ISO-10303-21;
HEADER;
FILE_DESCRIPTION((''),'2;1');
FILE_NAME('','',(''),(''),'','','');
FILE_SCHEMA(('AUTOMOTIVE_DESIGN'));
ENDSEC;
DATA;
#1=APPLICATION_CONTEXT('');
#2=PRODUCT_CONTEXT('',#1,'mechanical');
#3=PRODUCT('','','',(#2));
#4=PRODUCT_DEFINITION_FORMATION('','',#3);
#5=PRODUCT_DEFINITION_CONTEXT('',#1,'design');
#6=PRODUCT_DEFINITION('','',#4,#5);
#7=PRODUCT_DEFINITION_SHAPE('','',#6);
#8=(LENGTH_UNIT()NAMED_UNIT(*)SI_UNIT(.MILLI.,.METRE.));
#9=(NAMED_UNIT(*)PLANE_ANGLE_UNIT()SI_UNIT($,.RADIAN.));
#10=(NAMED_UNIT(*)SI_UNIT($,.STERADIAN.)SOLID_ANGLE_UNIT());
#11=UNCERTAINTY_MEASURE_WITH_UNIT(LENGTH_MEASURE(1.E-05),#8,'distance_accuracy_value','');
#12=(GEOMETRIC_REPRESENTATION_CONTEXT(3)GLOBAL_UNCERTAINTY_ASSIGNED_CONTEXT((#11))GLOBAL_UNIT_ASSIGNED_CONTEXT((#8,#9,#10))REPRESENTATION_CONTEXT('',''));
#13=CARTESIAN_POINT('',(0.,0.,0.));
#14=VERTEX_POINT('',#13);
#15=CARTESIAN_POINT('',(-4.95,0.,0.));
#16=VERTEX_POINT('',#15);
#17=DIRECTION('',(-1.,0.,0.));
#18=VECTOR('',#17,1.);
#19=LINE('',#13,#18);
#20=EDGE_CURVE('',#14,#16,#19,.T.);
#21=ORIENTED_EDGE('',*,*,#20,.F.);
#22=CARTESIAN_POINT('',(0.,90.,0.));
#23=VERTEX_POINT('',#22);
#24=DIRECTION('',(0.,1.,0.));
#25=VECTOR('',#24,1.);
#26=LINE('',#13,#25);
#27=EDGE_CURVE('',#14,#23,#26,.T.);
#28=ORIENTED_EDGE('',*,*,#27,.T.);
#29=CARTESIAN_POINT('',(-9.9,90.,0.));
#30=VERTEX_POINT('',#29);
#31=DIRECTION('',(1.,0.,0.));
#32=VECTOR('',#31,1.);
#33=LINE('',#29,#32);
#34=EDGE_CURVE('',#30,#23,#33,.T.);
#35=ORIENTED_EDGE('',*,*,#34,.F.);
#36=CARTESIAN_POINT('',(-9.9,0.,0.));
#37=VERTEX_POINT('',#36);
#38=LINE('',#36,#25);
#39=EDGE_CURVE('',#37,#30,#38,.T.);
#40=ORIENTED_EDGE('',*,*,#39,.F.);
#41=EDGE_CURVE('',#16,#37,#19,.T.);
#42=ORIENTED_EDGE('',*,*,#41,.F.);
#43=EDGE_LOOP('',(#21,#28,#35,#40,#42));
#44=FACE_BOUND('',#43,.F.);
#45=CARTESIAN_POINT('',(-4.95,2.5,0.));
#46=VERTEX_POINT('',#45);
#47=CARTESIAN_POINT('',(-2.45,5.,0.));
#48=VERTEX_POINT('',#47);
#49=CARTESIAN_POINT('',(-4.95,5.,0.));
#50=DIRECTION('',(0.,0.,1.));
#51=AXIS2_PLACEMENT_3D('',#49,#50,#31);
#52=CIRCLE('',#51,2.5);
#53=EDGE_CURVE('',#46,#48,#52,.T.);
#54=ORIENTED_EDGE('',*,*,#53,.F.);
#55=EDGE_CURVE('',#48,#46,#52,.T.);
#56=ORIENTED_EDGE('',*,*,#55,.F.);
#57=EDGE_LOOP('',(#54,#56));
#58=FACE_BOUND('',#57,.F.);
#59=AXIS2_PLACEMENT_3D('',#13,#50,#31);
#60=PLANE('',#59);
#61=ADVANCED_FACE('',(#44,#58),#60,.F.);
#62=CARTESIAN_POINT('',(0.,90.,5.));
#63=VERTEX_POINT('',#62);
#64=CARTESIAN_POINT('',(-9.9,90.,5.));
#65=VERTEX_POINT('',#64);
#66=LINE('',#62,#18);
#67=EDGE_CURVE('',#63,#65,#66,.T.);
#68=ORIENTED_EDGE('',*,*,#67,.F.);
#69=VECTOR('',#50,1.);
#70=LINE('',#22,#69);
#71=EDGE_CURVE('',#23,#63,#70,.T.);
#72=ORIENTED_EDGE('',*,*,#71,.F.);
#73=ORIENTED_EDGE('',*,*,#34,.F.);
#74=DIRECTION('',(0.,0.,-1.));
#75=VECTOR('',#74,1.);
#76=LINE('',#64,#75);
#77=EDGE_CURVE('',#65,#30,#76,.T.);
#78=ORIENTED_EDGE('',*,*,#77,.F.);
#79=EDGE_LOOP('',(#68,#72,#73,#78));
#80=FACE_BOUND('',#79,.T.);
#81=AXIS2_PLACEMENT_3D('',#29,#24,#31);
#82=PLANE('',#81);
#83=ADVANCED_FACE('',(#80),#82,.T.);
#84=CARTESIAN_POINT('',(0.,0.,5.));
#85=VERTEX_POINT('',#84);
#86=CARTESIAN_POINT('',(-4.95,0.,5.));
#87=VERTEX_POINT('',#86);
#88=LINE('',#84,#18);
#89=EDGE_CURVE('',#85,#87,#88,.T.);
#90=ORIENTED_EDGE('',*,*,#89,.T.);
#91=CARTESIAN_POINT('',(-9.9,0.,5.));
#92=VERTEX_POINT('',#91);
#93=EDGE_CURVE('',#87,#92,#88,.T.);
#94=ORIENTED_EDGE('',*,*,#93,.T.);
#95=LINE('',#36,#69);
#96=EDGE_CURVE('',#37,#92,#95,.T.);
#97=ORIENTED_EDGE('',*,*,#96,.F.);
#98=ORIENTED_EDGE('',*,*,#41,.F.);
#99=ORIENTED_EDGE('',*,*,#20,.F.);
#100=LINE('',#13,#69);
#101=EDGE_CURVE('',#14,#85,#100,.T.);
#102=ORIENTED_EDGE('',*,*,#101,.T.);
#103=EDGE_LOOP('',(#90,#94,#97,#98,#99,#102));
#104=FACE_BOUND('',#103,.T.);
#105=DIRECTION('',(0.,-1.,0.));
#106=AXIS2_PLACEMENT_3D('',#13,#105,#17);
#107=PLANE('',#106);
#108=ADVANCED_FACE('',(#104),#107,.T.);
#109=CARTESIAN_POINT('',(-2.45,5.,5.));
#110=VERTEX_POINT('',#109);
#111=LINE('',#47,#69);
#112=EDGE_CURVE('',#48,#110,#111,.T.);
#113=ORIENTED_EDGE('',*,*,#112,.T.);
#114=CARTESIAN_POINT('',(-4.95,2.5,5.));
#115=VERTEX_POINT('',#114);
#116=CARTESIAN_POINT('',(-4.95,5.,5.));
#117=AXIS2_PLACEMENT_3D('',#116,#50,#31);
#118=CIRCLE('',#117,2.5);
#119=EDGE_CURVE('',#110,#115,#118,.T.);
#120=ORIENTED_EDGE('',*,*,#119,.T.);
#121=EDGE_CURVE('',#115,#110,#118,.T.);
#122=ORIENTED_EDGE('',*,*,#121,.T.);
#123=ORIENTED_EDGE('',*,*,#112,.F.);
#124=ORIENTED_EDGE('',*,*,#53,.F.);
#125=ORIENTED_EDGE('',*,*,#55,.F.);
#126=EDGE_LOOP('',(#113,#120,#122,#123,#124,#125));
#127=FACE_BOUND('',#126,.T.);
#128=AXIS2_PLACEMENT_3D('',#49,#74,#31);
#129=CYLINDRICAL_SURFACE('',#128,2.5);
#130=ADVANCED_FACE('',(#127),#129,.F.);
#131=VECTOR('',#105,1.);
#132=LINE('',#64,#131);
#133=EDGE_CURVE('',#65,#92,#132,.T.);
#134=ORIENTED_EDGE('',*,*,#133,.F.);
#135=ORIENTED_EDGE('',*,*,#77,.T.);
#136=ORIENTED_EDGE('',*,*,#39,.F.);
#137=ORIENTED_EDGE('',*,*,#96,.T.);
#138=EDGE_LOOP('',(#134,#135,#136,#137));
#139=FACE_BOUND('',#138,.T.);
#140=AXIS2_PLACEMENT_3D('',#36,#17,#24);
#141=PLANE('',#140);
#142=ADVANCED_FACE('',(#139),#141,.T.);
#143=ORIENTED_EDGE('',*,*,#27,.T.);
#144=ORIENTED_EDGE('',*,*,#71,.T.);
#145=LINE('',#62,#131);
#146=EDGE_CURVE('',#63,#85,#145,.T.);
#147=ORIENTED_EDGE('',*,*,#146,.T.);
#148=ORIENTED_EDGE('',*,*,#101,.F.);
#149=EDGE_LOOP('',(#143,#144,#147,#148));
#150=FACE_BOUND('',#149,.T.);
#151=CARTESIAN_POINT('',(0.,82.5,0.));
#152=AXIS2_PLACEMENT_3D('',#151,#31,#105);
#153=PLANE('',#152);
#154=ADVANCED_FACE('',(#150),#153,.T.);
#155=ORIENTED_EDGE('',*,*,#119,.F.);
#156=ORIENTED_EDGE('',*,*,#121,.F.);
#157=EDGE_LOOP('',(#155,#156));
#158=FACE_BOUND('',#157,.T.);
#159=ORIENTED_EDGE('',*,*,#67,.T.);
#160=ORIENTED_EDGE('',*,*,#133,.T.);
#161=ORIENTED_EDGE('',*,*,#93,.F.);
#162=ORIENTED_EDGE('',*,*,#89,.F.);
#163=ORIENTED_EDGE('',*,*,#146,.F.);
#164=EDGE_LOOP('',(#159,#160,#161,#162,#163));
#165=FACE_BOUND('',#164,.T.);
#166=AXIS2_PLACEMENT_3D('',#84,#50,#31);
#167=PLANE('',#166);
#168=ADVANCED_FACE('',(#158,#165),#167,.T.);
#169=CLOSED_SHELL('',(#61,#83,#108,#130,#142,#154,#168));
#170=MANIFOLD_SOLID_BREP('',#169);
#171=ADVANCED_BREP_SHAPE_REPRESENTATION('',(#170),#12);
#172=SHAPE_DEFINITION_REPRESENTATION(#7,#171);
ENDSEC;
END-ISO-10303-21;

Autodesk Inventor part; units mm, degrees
ref_plane "YZ Plane" through (0, 0, 0) normal (1, 0, 0) x (0, 1, 0)
ref_plane "XZ Plane" through (0, 0, 0) normal (0, 1, 0) x (-1, 0, 0)
ref_plane "XY Plane" through (0, 0, 0) normal (0, 0, 1) x (1, 0, 0)
sketch "Sketch2" plane through (0, 0, 0) normal (0, 0, 1) x (1, 0, 0)
  line L0 (0, 0) -> (-9.9, 0)
  line L1 (-4.95, 0) -> (-4.95, 2.5)
  line L2 (-4.95, 0) -> (-2.45, 0) construction
  circle A0 centre (-4.95, 5) radius 2.5
  line L3 (-4.95, 7.5) -> (32.05, 7.5) construction
  line L4 (0, 0) -> (-9.9, 0)
  line L5 (0, 0) -> (-9.9, 0)
  line L6 (-4.95, 7.5) -> (66.05, 7.5) construction
  line L7 (-4.95, 7.5) -> (70.05, 7.5) construction
  line L8 (0, 0) -> (-9.9, 0)
  line L9 (-9.9, 0) -> (-9.9, 82.5)
  line L10 (0, 82.5) -> (0, 0)
  line L11 (0, 82.5) -> (0, 83.5)
  line L12 (-9.9, 83.5) -> (-9.9, 82.5)
  line L13 (-4.95, 7.5) -> (75.05, 7.5) construction
  line L14 (0, 83.5) -> (0, 87.5)
  line L15 (0, 87.5) -> (-9.9, 87.5)
  line L16 (-9.9, 87.5) -> (-9.9, 83.5)
  dimension "d35" = 5
  dimension "d33" = 2.5
  dimension "d34" = 90
  dimension "d48" = 9.9
  dimension "d49" = 9.9
  dimension "d50" = 1
extrude "Extrusion7" add sketch "Sketch2" along normal blind 5
sketch "Sketch5" plane through (-9.9, 87.5, 0) normal (0, 1, 0) x (1, 0, 0)
  line L0 (0, 0) -> (9.9, 0)
  line L1 (9.9, 0) -> (9.9, -5)
  line L2 (9.9, -5) -> (0, -5)
  line L3 (0, -5) -> (0, 0)
extrude "Extrusion8" add sketch "Sketch5" along normal blind 2.5
properties part number "Cube_Holder_SB_V1_(71mm)"
